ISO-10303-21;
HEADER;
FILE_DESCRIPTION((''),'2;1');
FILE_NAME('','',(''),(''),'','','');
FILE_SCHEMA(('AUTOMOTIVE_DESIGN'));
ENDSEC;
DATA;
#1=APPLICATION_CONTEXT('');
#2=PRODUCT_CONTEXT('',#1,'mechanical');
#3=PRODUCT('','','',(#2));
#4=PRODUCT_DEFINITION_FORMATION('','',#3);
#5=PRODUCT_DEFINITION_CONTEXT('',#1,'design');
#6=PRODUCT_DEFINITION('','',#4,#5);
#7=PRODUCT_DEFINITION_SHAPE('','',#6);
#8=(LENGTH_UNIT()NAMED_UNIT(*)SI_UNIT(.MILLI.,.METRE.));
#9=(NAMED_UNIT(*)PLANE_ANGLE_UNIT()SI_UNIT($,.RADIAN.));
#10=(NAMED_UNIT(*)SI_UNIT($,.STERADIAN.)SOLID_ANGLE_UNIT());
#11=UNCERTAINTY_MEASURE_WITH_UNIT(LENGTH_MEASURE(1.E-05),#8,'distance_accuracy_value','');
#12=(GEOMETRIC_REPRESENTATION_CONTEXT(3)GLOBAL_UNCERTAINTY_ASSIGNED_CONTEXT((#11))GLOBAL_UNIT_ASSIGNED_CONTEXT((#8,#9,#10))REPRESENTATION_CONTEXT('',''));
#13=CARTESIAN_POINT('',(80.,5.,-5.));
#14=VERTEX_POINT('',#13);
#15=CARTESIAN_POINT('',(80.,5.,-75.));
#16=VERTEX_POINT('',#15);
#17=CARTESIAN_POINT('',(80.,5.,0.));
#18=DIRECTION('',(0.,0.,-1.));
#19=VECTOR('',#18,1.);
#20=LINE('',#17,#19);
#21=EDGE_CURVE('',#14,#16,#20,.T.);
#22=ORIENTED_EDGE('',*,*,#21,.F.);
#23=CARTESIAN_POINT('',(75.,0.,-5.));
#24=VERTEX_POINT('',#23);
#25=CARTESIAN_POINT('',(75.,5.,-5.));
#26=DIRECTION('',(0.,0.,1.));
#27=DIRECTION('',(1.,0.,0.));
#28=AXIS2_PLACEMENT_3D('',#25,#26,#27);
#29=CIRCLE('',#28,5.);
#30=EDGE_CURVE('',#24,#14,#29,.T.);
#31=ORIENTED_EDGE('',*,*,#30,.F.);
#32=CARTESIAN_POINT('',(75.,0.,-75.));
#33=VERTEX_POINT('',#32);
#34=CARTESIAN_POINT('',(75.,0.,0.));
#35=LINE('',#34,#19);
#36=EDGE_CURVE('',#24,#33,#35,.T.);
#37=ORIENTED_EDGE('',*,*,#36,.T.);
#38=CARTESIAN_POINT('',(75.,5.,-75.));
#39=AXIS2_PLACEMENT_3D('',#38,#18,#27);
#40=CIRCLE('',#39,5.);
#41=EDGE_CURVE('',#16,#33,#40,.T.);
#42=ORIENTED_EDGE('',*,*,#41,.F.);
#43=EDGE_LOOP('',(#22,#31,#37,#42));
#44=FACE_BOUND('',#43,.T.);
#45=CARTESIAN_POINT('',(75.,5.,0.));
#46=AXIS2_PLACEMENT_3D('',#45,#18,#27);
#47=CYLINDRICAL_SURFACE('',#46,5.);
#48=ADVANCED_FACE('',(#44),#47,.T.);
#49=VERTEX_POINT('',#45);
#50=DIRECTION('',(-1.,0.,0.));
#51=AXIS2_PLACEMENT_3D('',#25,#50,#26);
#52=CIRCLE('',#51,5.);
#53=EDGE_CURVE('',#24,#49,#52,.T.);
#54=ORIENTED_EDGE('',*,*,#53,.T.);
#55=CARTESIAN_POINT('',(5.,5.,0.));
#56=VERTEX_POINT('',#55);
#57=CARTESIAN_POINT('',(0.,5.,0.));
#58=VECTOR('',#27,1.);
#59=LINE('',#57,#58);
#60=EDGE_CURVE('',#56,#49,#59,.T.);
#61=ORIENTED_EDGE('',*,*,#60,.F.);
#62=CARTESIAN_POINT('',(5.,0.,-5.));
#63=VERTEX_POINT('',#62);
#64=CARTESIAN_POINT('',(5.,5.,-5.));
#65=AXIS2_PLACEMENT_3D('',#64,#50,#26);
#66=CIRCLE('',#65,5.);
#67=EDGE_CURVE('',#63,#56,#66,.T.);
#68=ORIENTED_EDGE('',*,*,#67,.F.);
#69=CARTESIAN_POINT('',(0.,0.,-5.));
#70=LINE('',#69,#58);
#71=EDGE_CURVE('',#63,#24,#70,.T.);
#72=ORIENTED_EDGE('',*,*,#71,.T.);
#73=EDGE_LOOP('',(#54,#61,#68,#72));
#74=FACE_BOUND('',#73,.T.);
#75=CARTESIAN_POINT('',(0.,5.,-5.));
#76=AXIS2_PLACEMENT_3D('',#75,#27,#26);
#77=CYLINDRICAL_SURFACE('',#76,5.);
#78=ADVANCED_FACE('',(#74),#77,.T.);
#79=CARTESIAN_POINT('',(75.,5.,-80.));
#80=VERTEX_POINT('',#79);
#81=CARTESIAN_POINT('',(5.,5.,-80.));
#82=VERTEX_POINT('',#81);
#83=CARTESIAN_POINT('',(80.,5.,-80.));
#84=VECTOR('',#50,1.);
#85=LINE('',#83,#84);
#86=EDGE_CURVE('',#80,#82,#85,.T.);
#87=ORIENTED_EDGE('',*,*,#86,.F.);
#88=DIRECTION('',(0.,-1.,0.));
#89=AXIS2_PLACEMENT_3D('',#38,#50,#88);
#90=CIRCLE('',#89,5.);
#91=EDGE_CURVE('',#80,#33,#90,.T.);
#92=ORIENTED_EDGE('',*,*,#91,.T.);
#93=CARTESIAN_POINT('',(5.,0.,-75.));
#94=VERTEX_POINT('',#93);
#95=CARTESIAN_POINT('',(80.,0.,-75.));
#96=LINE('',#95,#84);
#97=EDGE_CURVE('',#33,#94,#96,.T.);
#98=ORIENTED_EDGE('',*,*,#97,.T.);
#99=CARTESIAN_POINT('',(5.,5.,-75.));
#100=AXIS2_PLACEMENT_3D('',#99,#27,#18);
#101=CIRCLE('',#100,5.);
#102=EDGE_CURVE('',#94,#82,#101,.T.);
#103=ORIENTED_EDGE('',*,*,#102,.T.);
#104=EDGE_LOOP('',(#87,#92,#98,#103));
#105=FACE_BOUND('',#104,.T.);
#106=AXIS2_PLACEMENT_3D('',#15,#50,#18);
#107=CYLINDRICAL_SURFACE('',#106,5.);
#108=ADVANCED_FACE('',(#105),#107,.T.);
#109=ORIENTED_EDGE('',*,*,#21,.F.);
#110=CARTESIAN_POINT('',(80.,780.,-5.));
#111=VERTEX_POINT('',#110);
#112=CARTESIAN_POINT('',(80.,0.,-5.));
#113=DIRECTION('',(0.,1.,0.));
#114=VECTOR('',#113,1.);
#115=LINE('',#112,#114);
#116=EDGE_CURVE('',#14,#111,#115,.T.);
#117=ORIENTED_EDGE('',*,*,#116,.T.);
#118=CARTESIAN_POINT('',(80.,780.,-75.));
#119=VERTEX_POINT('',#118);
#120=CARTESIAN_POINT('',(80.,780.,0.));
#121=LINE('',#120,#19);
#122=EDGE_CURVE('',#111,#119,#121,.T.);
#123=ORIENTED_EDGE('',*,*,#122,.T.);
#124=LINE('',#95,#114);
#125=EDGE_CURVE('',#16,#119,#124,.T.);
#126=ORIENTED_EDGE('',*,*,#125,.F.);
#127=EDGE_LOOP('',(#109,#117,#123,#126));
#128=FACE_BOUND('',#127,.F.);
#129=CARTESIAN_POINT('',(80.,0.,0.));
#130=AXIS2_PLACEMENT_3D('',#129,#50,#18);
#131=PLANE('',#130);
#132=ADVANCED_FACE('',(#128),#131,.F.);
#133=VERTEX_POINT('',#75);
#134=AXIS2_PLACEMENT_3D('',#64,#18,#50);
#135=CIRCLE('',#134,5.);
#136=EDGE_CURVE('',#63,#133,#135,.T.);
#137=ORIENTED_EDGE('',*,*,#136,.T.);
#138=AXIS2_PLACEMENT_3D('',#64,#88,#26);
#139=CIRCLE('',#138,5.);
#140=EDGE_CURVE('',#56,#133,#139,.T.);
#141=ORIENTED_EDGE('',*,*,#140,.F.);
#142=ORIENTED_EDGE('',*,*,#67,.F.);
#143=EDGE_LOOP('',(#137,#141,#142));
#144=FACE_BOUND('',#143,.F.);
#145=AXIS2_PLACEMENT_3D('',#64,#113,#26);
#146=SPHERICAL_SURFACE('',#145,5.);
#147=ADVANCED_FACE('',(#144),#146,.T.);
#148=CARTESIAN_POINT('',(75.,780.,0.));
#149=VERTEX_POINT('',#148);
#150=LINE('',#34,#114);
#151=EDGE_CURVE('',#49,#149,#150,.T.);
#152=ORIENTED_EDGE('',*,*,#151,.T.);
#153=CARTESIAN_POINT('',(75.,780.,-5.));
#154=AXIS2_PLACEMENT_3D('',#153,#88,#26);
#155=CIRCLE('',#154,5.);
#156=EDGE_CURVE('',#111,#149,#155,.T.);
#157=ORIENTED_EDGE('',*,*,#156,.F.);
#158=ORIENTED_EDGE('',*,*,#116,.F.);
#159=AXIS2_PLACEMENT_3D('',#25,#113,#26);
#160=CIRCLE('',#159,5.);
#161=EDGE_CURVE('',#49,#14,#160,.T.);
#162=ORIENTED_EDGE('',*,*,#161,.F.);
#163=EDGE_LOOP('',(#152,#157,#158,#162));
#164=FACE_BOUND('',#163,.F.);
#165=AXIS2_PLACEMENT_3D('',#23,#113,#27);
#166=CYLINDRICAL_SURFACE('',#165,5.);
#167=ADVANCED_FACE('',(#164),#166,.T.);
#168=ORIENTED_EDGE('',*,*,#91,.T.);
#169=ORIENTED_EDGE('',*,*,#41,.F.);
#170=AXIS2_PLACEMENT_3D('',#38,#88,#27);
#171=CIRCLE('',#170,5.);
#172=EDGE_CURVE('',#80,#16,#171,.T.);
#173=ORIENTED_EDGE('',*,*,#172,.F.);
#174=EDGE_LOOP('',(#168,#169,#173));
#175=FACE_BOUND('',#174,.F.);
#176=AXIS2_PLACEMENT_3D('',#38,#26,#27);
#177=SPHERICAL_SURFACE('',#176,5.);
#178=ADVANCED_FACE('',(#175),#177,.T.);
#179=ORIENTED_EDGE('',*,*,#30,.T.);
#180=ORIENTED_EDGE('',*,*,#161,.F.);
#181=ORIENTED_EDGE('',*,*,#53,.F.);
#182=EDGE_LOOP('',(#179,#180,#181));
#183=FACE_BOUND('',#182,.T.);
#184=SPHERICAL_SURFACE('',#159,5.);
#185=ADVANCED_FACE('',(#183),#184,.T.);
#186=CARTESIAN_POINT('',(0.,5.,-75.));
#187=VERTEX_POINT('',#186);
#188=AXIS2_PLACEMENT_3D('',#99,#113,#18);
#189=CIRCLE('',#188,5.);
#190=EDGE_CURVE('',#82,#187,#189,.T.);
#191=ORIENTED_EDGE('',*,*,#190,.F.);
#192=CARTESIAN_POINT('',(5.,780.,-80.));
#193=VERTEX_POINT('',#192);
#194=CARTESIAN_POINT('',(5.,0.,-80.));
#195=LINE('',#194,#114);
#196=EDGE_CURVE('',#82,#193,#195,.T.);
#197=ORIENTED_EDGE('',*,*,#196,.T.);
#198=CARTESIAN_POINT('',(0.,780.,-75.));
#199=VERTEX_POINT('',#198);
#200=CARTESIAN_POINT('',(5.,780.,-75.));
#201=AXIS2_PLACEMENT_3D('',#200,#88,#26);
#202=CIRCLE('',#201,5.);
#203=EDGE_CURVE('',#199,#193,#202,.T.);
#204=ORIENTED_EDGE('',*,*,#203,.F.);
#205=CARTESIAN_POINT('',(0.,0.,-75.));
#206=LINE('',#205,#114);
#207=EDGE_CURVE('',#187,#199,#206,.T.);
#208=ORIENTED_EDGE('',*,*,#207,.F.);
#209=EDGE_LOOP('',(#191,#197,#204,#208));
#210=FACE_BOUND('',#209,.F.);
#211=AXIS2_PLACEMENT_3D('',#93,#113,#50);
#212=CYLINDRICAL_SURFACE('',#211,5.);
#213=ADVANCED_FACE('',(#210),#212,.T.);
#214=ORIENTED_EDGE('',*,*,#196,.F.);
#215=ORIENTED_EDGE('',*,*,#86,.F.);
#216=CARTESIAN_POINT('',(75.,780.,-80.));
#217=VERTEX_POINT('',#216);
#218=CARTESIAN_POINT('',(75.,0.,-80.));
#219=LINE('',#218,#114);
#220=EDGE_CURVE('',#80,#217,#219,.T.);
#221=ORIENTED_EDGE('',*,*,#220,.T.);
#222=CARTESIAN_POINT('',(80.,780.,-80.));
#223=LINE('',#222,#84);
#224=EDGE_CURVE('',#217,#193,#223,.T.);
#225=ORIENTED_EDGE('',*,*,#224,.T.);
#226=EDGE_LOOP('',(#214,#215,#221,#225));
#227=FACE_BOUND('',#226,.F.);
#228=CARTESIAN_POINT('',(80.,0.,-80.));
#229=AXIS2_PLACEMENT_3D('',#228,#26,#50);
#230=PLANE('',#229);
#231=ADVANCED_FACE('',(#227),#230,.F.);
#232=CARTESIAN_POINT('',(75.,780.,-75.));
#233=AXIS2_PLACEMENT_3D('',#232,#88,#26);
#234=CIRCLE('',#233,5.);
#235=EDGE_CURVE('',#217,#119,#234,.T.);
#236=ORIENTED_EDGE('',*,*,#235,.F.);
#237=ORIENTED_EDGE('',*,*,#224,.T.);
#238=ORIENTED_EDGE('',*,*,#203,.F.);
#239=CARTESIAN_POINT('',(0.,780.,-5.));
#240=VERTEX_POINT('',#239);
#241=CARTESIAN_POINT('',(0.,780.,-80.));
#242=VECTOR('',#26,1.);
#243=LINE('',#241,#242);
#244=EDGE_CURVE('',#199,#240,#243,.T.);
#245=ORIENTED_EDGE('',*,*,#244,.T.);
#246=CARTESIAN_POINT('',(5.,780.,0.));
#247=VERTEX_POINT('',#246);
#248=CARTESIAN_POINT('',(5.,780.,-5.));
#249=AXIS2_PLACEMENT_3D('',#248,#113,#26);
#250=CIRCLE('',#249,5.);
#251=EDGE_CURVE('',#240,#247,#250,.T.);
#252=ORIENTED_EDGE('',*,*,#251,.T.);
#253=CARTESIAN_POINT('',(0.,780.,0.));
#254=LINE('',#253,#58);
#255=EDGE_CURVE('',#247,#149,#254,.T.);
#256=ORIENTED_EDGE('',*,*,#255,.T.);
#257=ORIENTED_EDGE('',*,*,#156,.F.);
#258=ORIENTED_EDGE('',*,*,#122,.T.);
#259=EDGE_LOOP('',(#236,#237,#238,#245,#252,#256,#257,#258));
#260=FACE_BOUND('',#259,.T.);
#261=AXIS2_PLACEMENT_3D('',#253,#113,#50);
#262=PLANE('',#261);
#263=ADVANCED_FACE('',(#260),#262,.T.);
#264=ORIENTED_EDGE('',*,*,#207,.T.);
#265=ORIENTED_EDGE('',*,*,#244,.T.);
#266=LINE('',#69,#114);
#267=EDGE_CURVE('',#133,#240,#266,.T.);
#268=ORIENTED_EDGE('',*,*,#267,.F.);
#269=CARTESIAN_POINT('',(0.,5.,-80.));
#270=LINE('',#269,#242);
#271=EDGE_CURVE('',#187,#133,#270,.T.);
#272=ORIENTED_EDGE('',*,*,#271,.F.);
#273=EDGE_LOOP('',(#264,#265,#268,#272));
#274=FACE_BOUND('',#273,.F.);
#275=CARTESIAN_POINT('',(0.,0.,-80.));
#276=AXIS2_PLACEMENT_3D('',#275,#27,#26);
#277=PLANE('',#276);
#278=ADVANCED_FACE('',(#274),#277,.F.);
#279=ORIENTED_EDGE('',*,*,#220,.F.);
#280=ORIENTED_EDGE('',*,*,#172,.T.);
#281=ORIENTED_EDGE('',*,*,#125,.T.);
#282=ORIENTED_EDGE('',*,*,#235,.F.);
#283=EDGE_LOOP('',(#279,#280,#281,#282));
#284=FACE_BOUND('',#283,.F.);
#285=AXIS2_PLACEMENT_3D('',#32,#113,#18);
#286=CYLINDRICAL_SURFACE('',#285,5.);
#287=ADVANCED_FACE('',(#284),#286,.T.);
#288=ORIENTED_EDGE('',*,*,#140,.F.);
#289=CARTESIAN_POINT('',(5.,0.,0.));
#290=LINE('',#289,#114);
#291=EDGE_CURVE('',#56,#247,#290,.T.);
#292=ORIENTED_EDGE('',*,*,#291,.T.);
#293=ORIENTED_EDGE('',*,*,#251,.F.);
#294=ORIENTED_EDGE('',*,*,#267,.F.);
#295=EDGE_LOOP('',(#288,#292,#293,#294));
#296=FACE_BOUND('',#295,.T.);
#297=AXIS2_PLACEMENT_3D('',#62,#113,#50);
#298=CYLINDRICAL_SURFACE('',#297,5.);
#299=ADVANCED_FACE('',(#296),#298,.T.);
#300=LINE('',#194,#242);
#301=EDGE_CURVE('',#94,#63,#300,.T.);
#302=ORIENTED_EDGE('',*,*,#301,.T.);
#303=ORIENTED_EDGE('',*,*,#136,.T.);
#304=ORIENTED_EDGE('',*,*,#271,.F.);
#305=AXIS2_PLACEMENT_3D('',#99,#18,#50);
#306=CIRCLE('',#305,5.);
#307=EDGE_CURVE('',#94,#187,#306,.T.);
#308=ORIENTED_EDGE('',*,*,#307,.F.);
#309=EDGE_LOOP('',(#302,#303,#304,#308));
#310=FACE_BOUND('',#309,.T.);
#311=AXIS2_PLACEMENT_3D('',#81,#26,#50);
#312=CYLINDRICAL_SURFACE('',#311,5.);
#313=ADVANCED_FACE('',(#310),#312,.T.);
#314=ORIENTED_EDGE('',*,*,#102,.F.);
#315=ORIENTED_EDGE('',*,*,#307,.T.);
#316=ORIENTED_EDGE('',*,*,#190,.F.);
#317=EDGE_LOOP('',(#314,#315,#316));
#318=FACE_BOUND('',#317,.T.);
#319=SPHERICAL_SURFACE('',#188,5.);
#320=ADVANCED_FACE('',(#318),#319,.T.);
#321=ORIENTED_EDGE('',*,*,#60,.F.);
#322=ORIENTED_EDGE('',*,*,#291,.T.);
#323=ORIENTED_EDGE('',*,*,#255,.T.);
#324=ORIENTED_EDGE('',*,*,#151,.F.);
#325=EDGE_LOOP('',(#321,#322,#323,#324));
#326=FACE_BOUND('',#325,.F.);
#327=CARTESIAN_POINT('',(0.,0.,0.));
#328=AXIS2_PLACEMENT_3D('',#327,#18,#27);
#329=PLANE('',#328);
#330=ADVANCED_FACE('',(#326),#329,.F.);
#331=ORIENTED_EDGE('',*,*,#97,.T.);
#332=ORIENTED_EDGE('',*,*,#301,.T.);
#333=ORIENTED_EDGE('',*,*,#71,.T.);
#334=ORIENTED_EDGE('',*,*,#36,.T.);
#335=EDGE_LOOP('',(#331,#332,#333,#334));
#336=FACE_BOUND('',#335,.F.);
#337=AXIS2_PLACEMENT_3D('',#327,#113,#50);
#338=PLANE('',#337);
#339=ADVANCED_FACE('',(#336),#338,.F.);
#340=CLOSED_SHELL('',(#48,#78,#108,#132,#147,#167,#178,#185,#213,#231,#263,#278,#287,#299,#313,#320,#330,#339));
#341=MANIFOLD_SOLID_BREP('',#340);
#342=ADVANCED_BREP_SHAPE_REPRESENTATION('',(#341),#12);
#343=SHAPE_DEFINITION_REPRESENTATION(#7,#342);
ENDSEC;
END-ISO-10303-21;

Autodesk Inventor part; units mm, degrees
ref_plane "YZ Plane" through (0, 0, 0) normal (1, 0, 0) x (0, 1, 0)
ref_plane "XZ Plane" through (0, 0, 0) normal (0, 1, 0) x (-1, 0, 0)
ref_plane "XY Plane" through (0, 0, 0) normal (0, 0, 1) x (1, 0, 0)
sketch "Sketch1" plane through (0, 0, 0) normal (0, 1, 0) x (-1, 0, 0)
  line L0 (0, 0) -> (-80, 0)
  line L1 (-80, 0) -> (-80, -80)
  line L2 (-80, -80) -> (0, -80)
  line L3 (0, -80) -> (0, 0)
  dimension "d0" = 80
  dimension "d1" = 80
extrude "Extrusion1" add sketch "Sketch1" along normal blind 780
fillet "Fillet1" radius 5 8 edges at (80, 390, 0) (0, 390, 0) (40, 0, 0) (80, 0, -40) (80, 390, -80) (0, 390, -80) (40, 0, -80) (0, 0, -40)
properties part number "noha"
